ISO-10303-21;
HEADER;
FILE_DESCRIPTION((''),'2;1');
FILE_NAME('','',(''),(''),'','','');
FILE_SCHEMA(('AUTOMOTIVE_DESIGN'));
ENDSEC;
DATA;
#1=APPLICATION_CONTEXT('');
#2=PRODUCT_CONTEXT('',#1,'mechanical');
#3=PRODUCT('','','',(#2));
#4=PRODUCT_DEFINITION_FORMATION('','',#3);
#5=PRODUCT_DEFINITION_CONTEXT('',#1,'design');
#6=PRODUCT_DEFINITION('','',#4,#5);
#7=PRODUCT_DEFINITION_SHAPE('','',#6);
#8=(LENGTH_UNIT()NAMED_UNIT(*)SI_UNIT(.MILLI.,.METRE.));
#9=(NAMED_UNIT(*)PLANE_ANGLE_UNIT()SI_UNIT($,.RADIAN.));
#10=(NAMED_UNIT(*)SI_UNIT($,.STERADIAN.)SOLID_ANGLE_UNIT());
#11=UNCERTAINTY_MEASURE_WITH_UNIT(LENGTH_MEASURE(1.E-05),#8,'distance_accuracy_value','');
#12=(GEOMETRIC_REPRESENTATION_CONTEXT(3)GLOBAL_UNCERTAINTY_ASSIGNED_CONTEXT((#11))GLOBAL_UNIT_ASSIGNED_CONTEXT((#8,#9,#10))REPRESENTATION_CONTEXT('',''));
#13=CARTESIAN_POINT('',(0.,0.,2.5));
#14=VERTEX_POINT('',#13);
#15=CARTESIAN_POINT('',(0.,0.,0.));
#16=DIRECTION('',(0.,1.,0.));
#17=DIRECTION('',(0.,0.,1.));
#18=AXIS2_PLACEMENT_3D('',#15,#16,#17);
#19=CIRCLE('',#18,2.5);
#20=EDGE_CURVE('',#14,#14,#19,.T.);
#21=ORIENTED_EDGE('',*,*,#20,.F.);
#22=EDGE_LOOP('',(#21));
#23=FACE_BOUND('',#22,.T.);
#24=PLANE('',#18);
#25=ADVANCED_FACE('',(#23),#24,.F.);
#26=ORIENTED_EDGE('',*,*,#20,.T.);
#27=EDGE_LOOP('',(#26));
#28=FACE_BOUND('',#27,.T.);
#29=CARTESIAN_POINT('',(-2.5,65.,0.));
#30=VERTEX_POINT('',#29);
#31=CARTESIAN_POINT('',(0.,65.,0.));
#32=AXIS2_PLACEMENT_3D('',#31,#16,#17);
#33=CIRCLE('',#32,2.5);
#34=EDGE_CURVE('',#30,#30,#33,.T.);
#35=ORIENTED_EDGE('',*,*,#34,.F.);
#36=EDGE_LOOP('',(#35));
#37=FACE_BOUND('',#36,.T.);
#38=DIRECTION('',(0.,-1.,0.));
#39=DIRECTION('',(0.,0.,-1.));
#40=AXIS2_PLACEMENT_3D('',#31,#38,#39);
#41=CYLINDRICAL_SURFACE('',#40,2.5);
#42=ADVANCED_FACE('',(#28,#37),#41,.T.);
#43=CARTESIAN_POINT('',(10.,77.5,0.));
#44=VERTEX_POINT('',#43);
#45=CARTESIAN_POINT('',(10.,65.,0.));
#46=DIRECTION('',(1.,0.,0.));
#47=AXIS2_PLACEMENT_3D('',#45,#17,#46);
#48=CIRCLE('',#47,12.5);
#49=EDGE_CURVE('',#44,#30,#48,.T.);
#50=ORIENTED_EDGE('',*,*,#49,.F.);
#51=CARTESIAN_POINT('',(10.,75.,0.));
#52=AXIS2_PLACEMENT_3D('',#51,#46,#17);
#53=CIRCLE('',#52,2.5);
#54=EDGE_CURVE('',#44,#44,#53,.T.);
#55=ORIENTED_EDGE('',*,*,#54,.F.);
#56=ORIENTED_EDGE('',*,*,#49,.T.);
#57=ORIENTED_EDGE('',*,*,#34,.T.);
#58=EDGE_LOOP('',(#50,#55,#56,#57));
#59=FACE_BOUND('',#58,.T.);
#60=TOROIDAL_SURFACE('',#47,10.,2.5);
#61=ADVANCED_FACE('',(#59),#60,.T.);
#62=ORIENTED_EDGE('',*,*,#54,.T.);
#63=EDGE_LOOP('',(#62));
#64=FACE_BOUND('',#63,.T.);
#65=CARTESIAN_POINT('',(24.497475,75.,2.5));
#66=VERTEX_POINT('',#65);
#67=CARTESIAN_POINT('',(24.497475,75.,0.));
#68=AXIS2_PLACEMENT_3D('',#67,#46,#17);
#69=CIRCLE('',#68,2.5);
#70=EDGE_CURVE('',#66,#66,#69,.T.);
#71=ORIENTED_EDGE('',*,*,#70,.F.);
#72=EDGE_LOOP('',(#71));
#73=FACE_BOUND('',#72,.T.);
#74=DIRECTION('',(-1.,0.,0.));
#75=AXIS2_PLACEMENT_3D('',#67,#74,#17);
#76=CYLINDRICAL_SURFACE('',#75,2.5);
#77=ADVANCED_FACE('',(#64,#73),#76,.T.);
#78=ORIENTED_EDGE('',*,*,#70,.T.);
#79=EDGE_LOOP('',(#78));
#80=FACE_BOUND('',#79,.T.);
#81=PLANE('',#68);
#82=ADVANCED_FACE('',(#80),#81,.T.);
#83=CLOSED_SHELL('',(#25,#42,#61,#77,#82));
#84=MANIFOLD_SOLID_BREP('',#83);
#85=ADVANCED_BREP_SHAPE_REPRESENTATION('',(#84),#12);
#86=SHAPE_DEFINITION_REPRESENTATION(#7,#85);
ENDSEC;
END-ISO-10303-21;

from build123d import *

# Parameters (mm, degrees)
SKETCH3_R = 2.5


with BuildPart() as part:
    # Sweep2: sweep along a path in Sketch5
    with BuildLine(Plane.XY) as sweep2_path:
        Line((0, 0), (0, 65))
        ThreePointArc((0, 65), (2.928932188, 72.071067812), (10, 75))
        Line((10, 75), (24.49747468, 75))
    # Sketch3 → Sweep2 (sweep)
    with BuildSketch(Plane(origin=(0, 0, 0), x_dir=(1, 0, 0), z_dir=(0, 1, 0))):
        Circle(SKETCH3_R)
    sweep(path=sweep2_path.line)


solid = part.part
